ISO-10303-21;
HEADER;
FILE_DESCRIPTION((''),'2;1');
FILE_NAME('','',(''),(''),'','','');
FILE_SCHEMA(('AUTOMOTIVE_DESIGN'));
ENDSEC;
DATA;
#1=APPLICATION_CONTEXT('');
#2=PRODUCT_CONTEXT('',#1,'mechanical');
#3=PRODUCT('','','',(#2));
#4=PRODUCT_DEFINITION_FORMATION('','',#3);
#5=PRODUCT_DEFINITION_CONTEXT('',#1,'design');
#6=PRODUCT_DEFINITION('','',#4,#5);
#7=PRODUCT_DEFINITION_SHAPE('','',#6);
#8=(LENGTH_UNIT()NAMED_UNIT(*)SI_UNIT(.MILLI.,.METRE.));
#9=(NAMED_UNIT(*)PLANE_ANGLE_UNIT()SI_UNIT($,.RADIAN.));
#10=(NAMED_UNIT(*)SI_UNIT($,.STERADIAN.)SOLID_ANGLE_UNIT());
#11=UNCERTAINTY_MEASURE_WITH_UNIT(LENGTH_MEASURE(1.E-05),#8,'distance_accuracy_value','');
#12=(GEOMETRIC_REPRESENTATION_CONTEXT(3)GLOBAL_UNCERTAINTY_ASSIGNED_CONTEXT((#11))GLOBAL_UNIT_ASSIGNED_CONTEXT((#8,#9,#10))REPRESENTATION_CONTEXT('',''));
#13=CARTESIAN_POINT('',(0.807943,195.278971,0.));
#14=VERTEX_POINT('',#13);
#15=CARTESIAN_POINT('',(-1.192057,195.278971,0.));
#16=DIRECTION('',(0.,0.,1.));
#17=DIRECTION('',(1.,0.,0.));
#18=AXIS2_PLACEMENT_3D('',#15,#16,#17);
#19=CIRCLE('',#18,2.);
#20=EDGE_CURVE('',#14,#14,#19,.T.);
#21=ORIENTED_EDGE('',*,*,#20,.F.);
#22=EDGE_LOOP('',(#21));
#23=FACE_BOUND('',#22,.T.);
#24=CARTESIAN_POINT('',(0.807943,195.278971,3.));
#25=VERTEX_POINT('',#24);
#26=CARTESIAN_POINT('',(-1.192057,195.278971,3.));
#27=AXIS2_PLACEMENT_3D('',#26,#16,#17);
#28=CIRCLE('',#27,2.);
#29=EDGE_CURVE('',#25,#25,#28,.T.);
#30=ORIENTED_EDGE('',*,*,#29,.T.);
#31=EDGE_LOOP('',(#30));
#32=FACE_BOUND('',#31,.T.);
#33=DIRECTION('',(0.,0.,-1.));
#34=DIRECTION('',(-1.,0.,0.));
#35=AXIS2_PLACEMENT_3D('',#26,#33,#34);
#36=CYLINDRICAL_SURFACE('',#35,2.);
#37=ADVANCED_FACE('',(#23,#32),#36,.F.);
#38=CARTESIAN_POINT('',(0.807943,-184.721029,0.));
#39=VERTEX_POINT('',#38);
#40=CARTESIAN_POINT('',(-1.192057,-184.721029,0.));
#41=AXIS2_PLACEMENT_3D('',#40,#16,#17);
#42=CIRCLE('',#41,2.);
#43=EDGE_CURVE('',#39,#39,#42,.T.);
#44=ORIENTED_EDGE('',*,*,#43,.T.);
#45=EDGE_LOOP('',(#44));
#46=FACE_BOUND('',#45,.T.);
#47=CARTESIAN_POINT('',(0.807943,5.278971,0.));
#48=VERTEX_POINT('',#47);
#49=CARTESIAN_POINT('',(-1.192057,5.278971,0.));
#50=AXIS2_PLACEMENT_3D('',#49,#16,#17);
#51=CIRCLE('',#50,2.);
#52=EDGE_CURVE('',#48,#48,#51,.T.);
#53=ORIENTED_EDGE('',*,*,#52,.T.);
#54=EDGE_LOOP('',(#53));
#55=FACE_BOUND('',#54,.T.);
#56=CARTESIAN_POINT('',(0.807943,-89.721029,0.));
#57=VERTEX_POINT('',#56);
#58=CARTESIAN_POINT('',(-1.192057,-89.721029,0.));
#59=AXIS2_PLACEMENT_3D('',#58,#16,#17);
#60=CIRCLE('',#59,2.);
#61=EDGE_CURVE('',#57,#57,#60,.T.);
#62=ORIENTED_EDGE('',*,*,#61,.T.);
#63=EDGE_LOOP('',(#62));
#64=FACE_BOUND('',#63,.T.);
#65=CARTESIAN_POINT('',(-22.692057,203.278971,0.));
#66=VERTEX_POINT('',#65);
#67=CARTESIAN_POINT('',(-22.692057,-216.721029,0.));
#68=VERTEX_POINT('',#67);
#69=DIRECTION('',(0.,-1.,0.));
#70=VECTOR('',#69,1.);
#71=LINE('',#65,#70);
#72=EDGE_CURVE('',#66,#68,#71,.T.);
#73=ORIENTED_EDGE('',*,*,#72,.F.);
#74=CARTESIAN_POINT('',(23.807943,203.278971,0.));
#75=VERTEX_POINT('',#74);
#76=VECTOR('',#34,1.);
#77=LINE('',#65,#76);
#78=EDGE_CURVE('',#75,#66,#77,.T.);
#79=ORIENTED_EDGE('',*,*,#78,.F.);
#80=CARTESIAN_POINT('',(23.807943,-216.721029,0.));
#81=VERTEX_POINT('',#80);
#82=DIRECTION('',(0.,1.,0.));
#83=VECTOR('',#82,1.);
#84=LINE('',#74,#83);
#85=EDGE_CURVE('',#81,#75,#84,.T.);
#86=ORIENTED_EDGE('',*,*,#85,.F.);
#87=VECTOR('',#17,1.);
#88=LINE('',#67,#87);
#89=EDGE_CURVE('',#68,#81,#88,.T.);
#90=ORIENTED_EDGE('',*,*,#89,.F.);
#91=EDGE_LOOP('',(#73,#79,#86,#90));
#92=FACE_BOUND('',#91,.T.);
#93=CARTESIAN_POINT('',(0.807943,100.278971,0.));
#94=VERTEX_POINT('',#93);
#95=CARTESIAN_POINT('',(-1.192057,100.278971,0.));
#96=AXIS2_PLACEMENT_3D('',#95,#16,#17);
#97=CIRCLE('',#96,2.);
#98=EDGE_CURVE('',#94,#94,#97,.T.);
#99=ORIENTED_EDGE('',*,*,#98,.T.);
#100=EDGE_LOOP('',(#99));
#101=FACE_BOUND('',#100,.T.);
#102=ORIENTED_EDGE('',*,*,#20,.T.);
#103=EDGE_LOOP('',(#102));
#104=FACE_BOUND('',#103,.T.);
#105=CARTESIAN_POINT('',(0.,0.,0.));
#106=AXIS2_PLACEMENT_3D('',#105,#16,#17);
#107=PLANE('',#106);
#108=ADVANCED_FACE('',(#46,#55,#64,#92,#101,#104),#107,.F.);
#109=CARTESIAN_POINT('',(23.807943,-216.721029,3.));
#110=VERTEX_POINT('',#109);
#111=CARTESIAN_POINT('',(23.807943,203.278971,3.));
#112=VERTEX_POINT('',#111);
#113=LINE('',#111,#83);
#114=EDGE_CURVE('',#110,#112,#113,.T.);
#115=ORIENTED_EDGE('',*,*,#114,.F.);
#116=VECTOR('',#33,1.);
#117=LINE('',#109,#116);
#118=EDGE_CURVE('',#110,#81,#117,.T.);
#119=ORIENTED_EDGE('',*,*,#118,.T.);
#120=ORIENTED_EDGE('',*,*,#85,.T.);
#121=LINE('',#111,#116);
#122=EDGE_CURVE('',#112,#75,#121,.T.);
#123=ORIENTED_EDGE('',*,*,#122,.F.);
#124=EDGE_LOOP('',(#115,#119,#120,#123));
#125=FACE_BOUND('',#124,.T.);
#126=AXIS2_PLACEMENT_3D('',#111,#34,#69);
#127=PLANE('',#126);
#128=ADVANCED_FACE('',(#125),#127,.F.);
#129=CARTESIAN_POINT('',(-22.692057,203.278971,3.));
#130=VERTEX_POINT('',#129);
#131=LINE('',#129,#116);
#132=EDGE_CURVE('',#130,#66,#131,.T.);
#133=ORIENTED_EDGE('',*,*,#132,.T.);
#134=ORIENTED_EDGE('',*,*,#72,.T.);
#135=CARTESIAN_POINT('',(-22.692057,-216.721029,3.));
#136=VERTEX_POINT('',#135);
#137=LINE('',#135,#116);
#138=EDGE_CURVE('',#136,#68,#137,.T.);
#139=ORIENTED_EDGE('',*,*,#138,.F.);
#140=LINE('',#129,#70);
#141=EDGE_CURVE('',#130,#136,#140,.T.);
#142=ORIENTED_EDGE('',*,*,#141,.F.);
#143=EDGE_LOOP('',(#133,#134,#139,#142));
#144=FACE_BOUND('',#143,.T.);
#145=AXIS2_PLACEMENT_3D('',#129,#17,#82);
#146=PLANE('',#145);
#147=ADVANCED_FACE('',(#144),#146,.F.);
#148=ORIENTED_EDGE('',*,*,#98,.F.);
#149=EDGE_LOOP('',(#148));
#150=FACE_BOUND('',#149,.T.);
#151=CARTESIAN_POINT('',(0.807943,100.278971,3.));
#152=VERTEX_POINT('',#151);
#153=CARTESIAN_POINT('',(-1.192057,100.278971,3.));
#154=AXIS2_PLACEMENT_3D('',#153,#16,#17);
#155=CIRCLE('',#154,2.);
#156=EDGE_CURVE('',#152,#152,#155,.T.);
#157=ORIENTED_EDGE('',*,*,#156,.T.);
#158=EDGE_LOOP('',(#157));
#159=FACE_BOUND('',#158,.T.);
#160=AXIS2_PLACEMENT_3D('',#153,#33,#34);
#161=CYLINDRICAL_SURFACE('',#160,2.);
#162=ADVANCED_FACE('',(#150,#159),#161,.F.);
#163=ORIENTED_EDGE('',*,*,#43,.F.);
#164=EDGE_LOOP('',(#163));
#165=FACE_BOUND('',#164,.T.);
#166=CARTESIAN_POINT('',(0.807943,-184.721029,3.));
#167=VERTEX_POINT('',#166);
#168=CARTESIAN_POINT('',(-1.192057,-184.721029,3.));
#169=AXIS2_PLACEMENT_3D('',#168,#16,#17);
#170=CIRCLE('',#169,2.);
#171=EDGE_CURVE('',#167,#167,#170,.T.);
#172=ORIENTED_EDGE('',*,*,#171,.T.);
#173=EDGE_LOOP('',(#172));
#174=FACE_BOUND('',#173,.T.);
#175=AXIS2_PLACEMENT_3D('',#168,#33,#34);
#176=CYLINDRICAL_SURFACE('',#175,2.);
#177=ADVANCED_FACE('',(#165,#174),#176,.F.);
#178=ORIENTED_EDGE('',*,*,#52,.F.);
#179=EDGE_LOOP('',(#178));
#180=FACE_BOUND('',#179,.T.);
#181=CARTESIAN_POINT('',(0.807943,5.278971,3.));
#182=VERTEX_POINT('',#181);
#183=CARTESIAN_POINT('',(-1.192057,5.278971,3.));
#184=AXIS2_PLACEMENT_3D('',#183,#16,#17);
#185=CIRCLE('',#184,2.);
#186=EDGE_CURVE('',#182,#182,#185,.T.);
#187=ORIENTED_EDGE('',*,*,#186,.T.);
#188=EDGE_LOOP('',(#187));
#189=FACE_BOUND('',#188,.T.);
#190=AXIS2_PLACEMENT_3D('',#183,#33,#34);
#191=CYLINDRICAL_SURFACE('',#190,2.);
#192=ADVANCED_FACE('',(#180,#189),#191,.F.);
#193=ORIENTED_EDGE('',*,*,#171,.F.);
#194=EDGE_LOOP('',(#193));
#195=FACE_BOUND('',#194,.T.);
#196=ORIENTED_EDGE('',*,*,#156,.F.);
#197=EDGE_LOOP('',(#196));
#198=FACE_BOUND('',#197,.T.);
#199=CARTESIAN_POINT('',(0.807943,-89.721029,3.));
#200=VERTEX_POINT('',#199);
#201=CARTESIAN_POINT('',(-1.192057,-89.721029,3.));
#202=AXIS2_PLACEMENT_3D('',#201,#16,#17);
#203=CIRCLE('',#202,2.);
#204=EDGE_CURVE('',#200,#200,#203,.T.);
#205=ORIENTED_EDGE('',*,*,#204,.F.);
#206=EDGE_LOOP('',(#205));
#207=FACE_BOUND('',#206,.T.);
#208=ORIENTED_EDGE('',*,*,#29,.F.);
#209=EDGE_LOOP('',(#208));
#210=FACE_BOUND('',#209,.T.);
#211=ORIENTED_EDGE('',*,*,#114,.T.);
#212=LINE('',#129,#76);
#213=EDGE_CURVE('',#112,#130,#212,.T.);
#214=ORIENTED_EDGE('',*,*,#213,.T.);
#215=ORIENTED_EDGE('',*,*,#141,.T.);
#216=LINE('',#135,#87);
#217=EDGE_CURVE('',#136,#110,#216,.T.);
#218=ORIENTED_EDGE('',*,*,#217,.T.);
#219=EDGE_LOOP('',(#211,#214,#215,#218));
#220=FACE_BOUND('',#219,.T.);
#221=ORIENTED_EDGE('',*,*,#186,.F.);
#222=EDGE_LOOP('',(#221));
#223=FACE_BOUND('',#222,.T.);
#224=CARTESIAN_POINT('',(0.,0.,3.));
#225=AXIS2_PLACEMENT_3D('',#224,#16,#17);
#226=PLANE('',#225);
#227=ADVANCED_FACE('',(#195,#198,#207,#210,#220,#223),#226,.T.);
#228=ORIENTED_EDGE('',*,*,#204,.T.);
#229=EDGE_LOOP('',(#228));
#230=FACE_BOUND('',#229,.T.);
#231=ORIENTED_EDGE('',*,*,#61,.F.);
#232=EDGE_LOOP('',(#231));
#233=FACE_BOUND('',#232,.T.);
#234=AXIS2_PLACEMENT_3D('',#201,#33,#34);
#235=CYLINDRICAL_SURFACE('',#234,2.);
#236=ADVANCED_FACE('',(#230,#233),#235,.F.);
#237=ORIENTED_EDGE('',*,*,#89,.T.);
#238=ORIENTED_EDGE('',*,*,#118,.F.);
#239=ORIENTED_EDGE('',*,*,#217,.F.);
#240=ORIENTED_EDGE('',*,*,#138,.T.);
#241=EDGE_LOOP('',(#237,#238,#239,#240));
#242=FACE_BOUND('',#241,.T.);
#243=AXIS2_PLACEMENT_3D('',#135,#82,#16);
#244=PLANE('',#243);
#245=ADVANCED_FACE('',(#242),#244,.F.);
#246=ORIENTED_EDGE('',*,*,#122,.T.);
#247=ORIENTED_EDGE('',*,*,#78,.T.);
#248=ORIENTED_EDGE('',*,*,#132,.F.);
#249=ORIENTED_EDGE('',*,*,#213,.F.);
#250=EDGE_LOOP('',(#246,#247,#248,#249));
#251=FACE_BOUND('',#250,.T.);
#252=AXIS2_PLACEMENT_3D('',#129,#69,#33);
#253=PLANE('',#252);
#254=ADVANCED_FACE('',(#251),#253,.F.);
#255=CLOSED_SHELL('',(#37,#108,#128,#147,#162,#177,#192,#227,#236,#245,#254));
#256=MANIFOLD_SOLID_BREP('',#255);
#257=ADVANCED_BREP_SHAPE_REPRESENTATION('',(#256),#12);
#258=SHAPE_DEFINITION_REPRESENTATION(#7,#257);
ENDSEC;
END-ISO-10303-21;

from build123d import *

# Parameters (mm, degrees)
SKETCH1_W           = 46.5
SKETCH1_H           = 420
SKETCH1_R           = 2
BOSS_EXTRUDE1_DEPTH = 3


with BuildPart() as part:
    # Sketch1 → Boss-Extrude1 (new body)
    with BuildSketch(Plane.XY):
        with Locations((0.557942617, -6.721028691)):
            Rectangle(SKETCH1_W, SKETCH1_H)
        with Locations((-1.192057383, 195.278971308)):
            Circle(SKETCH1_R, mode=Mode.SUBTRACT)
        with Locations((-1.192057383, 100.278971308)):
            Circle(SKETCH1_R, mode=Mode.SUBTRACT)
        with Locations((-1.192057383, 5.278971308)):
            Circle(SKETCH1_R, mode=Mode.SUBTRACT)
        with Locations((-1.192057383, -89.721028692)):
            Circle(SKETCH1_R, mode=Mode.SUBTRACT)
        with Locations((-1.192057383, -184.721028692)):
            Circle(SKETCH1_R, mode=Mode.SUBTRACT)
    extrude(amount=BOSS_EXTRUDE1_DEPTH)


solid = part.part
